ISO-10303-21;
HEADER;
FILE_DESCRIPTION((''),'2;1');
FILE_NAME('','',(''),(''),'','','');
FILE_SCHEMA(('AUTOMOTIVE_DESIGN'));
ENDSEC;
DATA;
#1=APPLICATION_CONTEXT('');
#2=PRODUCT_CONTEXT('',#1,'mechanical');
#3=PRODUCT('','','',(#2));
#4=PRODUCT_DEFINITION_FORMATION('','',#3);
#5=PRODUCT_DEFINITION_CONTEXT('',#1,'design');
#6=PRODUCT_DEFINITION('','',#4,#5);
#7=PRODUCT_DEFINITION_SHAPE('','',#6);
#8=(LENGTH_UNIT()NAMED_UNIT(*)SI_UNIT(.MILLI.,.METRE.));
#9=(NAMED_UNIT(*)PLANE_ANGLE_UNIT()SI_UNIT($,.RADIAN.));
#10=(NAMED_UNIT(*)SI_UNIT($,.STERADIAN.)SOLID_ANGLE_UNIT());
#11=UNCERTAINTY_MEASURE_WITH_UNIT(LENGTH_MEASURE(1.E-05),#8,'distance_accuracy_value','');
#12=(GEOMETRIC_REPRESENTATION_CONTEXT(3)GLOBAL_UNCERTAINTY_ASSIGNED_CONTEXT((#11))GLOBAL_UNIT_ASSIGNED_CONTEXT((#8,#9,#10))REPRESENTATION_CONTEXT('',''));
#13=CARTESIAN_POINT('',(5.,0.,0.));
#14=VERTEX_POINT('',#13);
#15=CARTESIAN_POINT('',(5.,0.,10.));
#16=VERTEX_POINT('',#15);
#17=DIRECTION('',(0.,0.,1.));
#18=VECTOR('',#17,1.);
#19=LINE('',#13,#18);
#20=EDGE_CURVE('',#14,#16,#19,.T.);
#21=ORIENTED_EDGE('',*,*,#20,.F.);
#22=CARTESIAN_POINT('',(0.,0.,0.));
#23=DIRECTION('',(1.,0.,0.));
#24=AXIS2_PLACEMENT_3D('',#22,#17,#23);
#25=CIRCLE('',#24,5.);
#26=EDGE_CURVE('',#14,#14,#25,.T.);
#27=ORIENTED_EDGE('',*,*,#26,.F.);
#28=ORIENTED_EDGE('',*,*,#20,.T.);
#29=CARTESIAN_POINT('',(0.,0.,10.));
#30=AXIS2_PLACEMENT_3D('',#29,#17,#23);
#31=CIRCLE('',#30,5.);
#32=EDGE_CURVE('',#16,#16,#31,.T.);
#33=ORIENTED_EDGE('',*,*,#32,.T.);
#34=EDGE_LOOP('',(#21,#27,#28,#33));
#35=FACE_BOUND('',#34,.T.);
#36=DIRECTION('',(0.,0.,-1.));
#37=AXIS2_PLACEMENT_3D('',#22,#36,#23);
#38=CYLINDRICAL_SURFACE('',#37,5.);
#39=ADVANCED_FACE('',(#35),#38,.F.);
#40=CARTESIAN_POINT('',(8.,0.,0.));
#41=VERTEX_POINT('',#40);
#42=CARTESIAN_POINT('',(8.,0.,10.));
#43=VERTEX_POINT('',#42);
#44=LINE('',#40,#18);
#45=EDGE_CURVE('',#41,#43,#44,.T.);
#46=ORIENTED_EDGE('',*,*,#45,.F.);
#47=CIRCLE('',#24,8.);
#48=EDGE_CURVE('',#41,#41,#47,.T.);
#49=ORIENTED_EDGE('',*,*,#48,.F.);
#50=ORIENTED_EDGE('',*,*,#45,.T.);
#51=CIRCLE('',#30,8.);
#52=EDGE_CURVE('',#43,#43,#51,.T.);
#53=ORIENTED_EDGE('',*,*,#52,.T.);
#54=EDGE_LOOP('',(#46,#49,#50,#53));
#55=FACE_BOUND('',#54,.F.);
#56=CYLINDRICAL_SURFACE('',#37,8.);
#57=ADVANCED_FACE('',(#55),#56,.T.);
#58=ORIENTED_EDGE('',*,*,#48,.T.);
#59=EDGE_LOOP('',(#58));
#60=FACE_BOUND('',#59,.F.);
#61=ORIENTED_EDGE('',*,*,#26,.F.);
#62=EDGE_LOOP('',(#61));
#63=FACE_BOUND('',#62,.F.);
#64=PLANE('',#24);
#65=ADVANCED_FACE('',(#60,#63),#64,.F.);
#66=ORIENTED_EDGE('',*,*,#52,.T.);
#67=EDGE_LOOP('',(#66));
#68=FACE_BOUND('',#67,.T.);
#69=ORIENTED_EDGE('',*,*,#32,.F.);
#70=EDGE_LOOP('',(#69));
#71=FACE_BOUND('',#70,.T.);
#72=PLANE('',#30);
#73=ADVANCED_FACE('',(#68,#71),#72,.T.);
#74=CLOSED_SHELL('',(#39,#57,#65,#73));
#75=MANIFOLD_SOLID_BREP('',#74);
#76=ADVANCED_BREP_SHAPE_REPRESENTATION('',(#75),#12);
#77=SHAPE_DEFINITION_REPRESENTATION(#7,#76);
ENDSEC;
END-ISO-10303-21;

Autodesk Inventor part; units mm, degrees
ref_plane "YZ Plane" through (0, 0, 0) normal (1, 0, 0) x (0, 1, 0)
ref_plane "XZ Plane" through (0, 0, 0) normal (0, 1, 0) x (-1, 0, 0)
ref_plane "XY Plane" through (0, 0, 0) normal (0, 0, 1) x (1, 0, 0)
sketch "草圖1" plane through (0, 0, 0) normal (0, 0, 1) x (1, 0, 0)
  circle A0 centre (0, 0) radius 8
  circle A1 centre (0, 0) radius 5
  dimension "d0" = 16
  dimension "d1" = 10
extrude "擠出1" add sketch "草圖1" along normal blind 10
properties part number "滾子"
